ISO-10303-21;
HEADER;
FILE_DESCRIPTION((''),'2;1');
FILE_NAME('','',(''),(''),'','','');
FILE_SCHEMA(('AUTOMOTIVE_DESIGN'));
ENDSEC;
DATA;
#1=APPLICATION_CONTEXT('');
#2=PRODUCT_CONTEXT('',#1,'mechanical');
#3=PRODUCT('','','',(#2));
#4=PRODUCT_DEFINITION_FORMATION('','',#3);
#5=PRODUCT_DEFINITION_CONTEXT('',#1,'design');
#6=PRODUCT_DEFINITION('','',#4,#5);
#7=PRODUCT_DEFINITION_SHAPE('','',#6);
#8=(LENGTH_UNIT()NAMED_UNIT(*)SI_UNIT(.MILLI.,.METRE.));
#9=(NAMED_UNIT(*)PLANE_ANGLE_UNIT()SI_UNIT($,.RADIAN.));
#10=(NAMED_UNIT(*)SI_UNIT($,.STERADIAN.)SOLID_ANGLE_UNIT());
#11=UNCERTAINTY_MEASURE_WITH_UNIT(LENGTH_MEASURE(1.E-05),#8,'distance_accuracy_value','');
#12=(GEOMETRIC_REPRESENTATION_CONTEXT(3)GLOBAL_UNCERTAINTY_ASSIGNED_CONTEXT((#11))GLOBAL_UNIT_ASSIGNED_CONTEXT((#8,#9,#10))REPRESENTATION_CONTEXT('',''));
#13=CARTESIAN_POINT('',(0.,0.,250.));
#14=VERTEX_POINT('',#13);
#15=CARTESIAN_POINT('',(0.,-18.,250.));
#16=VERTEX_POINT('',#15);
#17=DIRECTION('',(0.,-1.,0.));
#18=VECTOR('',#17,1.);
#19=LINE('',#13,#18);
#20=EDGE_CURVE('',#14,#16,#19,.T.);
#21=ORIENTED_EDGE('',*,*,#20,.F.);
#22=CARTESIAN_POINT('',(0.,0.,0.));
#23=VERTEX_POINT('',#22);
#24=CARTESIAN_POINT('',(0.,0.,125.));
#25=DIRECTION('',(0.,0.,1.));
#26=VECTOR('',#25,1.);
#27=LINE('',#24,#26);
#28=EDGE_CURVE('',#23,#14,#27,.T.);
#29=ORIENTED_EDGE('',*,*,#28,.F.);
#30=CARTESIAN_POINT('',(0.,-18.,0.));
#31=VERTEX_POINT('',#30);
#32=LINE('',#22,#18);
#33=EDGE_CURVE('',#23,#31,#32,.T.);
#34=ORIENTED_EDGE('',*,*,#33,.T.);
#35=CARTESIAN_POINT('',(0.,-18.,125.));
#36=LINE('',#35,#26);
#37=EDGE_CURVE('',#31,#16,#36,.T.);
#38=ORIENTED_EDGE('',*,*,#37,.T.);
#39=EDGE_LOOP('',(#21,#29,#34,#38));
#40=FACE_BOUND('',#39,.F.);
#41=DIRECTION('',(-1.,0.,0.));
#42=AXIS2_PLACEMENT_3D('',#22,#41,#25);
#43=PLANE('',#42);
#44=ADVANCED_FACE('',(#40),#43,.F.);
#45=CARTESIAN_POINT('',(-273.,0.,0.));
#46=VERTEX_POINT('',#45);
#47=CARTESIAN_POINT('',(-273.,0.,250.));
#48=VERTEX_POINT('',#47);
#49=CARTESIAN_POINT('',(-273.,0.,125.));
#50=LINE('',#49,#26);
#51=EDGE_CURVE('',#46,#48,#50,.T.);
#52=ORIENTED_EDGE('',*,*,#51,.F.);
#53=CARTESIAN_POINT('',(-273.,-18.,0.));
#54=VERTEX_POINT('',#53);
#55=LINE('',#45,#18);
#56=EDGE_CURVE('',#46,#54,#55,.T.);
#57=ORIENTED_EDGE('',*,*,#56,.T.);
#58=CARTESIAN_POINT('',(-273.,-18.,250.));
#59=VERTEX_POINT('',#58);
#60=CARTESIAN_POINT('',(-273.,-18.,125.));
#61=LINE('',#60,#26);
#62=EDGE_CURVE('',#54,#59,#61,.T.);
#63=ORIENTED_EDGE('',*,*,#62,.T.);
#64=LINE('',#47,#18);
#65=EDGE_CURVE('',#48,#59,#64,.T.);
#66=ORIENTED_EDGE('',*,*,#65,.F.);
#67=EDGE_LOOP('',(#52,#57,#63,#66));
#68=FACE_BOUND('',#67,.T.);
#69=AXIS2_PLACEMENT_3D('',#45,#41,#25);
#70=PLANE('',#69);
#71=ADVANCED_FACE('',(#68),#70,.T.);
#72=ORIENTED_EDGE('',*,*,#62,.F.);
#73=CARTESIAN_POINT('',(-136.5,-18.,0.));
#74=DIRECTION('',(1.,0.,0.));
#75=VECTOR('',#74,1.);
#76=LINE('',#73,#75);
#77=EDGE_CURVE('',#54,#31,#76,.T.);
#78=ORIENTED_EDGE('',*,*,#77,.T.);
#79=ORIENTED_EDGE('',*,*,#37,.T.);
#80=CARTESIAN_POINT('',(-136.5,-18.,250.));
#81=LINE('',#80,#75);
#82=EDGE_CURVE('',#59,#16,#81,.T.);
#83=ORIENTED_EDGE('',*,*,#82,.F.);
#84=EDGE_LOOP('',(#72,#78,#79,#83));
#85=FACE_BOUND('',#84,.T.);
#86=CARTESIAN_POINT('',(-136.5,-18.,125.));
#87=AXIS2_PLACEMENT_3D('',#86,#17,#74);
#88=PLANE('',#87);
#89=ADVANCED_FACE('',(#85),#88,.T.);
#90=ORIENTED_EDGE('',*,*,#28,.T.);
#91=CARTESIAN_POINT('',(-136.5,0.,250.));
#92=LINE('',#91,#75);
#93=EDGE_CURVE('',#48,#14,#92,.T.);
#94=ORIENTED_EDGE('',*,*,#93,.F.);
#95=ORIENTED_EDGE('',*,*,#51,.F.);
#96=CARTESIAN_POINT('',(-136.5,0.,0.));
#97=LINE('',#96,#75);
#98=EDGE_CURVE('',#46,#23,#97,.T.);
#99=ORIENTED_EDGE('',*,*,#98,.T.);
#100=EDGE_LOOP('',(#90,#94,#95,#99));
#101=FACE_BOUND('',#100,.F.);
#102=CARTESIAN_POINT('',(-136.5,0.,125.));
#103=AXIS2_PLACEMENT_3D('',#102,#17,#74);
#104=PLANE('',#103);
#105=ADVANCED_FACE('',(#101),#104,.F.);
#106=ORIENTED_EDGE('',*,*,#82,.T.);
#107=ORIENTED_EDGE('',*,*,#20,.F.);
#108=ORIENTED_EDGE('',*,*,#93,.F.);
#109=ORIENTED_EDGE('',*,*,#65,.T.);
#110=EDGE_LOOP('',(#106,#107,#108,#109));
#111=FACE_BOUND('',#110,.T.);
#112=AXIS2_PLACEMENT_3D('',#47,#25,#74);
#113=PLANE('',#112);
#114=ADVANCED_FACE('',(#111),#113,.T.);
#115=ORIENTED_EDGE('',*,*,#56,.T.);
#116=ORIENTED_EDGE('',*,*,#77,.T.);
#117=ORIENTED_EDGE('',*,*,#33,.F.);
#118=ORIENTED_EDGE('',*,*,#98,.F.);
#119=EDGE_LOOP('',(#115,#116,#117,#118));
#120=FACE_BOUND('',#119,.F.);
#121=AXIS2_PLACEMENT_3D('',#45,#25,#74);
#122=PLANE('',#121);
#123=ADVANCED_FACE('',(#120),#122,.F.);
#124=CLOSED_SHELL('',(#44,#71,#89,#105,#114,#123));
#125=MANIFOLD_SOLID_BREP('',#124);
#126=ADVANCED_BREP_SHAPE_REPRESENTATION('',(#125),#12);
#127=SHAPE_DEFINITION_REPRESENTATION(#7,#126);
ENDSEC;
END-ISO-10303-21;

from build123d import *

# Parameters (mm, degrees)
SKETCH_W  = 273
SKETCH_H  = 250
PAD_DEPTH = 18


with BuildPart() as part:
    # Sketch → Pad (new body)
    with BuildSketch(Plane.XZ):
        with Locations((-136.5, 125)):
            Rectangle(SKETCH_W, SKETCH_H)
    extrude(amount=PAD_DEPTH)


solid = part.part
